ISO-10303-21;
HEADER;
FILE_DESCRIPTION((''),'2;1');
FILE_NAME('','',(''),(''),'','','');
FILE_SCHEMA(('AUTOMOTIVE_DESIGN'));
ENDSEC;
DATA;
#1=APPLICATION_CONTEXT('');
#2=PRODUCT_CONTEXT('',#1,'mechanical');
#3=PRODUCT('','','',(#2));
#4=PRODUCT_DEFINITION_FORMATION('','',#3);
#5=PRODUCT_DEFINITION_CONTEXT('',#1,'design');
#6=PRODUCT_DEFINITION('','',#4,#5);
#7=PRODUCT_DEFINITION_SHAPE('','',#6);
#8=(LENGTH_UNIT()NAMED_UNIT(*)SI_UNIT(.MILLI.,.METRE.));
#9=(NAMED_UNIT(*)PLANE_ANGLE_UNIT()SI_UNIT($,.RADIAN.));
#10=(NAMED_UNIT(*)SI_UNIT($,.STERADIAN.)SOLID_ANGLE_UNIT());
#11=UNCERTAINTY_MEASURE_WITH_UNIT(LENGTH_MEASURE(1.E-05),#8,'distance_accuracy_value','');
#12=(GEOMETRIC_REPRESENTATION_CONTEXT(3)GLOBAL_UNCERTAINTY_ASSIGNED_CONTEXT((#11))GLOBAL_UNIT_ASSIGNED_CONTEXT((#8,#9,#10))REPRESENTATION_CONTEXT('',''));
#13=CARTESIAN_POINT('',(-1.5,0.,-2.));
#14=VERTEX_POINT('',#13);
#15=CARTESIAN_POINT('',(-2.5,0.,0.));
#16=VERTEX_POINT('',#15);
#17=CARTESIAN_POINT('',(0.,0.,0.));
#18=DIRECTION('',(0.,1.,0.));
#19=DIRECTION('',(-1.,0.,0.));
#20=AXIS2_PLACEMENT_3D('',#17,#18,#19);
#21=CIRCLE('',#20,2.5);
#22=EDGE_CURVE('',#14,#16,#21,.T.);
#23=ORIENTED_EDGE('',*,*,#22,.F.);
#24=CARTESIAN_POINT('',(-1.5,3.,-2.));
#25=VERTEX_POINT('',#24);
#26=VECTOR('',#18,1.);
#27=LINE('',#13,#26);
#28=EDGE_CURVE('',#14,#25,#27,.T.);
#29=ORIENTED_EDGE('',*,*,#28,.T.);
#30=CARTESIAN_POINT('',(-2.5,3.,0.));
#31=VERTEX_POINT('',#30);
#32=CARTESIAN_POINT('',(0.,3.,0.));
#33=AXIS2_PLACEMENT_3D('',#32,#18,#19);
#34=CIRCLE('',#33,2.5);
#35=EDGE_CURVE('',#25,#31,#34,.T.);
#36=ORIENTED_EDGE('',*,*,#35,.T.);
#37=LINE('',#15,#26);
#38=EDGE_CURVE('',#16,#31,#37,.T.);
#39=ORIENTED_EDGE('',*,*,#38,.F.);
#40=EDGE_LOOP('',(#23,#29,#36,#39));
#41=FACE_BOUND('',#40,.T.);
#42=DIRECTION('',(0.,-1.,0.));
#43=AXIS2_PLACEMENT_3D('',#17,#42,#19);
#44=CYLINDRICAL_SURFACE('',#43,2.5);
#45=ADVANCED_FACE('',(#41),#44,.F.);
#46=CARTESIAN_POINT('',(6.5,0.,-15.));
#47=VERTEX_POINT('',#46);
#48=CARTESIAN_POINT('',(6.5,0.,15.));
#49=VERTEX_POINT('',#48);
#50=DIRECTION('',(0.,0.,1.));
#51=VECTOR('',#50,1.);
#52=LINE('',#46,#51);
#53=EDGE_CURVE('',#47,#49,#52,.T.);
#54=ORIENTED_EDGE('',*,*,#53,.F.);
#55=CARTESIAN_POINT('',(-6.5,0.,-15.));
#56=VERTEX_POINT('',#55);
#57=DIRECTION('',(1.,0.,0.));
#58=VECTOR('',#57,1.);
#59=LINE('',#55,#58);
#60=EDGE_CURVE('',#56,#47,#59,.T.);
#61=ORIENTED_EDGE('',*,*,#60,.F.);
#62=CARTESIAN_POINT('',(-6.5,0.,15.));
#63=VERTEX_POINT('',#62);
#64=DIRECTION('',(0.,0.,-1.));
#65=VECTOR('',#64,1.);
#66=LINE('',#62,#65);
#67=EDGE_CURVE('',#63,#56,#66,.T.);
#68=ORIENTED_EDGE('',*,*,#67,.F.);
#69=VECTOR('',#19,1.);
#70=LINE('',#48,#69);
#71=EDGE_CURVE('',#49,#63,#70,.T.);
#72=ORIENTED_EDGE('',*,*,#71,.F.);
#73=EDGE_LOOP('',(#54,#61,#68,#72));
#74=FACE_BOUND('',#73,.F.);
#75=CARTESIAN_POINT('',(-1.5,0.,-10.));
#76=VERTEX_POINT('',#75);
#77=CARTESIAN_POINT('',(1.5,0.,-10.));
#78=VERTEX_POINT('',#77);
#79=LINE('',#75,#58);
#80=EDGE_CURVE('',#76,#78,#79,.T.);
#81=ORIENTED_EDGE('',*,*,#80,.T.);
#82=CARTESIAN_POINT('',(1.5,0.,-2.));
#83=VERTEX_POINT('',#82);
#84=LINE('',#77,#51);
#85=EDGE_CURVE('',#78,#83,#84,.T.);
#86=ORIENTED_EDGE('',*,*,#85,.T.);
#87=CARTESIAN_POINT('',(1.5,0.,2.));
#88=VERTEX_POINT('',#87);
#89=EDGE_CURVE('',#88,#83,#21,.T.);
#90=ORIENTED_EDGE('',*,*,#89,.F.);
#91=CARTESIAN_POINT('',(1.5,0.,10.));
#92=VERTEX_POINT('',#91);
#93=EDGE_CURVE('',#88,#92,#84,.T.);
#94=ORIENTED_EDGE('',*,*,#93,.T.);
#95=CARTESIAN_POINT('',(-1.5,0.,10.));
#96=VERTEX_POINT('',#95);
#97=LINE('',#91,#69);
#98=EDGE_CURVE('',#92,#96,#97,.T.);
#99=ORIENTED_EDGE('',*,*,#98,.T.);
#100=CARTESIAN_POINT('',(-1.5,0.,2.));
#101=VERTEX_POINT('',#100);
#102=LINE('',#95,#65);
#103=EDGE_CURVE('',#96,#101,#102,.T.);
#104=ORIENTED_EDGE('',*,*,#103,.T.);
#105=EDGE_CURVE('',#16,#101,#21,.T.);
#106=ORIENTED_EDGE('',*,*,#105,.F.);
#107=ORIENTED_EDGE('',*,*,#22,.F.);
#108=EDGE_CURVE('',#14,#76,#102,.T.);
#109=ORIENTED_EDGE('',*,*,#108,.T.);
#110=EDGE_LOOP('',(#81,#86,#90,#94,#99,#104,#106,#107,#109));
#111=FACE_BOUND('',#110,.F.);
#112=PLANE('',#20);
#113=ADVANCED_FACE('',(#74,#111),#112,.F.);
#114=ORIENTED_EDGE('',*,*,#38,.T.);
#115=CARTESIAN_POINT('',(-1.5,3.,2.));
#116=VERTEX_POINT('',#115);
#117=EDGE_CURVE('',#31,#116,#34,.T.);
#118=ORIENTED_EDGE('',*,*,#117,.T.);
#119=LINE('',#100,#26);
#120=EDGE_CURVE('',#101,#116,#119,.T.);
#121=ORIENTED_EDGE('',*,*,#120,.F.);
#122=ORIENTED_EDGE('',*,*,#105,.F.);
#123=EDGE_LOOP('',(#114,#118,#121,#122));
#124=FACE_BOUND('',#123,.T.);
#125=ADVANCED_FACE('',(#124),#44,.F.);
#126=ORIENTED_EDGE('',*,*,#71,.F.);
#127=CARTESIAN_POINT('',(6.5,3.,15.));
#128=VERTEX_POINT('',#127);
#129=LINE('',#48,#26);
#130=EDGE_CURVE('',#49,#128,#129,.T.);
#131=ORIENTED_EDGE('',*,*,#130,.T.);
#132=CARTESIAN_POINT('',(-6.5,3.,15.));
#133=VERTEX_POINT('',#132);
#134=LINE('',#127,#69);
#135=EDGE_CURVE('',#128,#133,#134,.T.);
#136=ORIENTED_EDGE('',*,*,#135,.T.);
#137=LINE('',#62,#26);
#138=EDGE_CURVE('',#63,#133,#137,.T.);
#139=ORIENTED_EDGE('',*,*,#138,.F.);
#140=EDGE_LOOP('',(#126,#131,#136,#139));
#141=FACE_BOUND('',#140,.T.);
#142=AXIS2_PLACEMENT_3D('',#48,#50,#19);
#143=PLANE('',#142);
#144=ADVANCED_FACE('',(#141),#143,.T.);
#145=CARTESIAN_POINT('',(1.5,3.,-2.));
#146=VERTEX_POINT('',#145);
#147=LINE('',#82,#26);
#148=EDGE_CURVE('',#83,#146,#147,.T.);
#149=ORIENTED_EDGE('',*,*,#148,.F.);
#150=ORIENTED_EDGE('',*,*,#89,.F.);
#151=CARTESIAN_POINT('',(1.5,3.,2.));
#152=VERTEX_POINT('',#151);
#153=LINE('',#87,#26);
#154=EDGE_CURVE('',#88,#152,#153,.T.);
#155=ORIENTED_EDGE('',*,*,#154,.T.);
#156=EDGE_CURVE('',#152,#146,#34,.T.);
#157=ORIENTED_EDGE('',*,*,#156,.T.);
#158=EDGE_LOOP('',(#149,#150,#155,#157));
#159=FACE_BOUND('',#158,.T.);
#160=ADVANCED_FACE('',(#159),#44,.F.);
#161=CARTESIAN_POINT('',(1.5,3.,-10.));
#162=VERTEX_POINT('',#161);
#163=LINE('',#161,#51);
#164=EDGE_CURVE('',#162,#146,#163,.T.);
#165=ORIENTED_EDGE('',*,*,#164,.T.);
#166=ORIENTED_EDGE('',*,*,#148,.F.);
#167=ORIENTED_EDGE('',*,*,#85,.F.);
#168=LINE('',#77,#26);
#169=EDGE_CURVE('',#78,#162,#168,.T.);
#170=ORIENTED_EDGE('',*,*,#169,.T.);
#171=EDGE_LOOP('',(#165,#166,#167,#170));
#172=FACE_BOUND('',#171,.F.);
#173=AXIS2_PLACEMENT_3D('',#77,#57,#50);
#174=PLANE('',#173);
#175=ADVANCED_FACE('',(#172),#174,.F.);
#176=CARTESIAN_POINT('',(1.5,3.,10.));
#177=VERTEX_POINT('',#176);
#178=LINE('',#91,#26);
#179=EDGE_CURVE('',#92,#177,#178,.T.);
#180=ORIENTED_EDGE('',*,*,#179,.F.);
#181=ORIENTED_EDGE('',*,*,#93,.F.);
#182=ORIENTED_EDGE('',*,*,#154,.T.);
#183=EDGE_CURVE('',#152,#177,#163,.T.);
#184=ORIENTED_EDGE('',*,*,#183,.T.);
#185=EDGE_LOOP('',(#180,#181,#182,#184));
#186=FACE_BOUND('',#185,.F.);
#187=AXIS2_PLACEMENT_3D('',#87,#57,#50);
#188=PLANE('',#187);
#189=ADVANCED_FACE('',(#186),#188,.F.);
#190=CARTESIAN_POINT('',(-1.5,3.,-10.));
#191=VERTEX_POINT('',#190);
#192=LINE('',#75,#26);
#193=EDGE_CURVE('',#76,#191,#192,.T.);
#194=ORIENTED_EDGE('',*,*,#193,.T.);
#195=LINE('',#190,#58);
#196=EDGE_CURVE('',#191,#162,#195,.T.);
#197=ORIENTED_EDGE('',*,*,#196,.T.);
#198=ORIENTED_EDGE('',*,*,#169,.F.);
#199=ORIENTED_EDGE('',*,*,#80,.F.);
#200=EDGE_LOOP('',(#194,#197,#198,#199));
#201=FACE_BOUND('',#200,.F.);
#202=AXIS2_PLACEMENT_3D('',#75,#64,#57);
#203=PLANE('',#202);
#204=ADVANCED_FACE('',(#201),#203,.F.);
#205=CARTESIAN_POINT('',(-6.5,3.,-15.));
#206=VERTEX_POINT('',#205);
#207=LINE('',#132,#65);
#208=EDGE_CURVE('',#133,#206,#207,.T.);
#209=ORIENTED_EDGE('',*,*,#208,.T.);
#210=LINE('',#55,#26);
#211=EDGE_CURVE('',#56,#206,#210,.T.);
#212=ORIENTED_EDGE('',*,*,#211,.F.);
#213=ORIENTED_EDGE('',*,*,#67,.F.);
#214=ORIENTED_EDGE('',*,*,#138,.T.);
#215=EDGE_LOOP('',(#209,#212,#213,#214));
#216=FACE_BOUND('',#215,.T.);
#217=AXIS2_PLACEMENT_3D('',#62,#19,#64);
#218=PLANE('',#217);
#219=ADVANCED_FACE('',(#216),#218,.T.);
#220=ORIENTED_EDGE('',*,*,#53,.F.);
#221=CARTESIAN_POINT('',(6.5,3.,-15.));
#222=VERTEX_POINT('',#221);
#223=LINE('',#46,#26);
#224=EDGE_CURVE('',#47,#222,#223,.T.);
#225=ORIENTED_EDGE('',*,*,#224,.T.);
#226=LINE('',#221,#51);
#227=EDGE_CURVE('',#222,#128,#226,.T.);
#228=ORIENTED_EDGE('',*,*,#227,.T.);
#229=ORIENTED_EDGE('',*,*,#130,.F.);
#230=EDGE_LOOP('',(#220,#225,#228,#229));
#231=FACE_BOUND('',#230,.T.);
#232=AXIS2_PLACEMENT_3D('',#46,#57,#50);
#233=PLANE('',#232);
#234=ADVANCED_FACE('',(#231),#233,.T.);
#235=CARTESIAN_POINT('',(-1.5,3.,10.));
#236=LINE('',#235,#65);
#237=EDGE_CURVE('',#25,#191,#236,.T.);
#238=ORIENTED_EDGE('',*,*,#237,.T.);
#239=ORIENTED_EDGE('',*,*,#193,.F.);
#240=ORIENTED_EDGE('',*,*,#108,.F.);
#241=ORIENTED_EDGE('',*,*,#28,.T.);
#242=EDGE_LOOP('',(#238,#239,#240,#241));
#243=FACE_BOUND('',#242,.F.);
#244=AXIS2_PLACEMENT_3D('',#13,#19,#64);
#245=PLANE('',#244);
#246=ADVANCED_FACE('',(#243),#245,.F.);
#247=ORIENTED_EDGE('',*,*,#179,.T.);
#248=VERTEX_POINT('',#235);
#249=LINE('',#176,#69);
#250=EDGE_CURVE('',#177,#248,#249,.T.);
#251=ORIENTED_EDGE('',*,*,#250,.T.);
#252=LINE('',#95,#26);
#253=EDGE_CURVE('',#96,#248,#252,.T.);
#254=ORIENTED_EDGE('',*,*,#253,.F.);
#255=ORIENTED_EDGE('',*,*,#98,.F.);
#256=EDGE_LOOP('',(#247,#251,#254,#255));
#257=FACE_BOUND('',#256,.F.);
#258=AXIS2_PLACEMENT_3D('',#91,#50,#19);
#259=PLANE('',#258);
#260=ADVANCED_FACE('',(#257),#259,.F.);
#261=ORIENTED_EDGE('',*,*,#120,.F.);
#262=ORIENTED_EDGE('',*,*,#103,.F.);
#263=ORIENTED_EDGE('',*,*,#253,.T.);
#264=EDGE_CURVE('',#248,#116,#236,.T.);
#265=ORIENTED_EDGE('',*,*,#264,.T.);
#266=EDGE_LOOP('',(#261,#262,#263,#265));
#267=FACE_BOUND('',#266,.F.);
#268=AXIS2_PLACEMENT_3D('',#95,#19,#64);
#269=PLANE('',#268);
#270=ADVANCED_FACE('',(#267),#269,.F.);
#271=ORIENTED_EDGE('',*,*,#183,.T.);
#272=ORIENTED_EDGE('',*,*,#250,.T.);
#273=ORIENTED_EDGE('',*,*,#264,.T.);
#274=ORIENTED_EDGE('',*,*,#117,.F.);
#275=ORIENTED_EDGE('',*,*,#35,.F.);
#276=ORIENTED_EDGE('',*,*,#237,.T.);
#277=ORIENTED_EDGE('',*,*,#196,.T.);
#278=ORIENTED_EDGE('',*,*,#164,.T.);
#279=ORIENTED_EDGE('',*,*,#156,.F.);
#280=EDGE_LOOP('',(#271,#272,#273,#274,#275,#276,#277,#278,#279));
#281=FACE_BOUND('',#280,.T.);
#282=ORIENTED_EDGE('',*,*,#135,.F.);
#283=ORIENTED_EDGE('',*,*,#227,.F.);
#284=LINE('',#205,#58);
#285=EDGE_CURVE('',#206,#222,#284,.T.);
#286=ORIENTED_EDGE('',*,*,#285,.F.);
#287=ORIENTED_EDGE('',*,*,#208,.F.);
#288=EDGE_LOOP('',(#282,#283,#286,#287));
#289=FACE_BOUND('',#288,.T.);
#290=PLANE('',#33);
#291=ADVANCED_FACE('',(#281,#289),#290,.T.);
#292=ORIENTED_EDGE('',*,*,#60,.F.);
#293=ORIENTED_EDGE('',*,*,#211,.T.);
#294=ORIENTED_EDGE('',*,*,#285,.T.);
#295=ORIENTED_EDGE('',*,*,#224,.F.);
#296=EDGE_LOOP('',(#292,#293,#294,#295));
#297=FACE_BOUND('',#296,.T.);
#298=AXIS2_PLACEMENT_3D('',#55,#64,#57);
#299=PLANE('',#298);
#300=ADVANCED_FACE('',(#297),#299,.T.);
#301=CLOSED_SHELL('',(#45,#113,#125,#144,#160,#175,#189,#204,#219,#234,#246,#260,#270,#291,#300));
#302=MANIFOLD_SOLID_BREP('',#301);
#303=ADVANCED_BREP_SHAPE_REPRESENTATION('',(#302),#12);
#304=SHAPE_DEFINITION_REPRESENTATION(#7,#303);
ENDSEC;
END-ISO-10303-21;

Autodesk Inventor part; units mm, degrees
ref_plane "YZ Plane" through (0, 0, 0) normal (1, 0, 0) x (0, 1, 0)
ref_plane "XZ Plane" through (0, 0, 0) normal (0, 1, 0) x (-1, 0, 0)
ref_plane "XY Plane" through (0, 0, 0) normal (0, 0, 1) x (1, 0, 0)
sketch "Sketch1" plane through (0, 0, 0) normal (0, 1, 0) x (-1, 0, 0)
  line L0 (-6.5, 15) -> (6.5, 15)
  line L1 (6.5, 15) -> (6.5, -15)
  line L2 (6.5, -15) -> (-6.5, -15)
  line L3 (-6.5, -15) -> (-6.5, 15)
  line L4 (-6.5, 15) -> (6.5, -15) construction
  line L5 (6.5, 15) -> (-6.5, -15) construction
  line L6 (-1.5, 10) -> (1.5, 10)
  line L7 (1.5, 10) -> (1.5, -10)
  line L8 (1.5, -10) -> (-1.5, -10)
  line L9 (-1.5, -10) -> (-1.5, 10)
  line L10 (-1.5, 10) -> (1.5, -10) construction
  line L11 (1.5, 10) -> (-1.5, -10) construction
  circle A0 centre (0, 0) radius 2.5
  point P0 (-1.5, -2)
  point P1 (-1.5, 2)
  point P2 (1.5, 2)
  point P3 (1.5, -2)
  dimension "d0" = 5
  dimension "d1" = 20
  dimension "d2" = 5
  dimension "d3" = 4
  dimension "d4" = 3
extrude "Extrusion1" add sketch "Sketch1" along normal blind 3
properties part number "Acoplador" material "Brass"
